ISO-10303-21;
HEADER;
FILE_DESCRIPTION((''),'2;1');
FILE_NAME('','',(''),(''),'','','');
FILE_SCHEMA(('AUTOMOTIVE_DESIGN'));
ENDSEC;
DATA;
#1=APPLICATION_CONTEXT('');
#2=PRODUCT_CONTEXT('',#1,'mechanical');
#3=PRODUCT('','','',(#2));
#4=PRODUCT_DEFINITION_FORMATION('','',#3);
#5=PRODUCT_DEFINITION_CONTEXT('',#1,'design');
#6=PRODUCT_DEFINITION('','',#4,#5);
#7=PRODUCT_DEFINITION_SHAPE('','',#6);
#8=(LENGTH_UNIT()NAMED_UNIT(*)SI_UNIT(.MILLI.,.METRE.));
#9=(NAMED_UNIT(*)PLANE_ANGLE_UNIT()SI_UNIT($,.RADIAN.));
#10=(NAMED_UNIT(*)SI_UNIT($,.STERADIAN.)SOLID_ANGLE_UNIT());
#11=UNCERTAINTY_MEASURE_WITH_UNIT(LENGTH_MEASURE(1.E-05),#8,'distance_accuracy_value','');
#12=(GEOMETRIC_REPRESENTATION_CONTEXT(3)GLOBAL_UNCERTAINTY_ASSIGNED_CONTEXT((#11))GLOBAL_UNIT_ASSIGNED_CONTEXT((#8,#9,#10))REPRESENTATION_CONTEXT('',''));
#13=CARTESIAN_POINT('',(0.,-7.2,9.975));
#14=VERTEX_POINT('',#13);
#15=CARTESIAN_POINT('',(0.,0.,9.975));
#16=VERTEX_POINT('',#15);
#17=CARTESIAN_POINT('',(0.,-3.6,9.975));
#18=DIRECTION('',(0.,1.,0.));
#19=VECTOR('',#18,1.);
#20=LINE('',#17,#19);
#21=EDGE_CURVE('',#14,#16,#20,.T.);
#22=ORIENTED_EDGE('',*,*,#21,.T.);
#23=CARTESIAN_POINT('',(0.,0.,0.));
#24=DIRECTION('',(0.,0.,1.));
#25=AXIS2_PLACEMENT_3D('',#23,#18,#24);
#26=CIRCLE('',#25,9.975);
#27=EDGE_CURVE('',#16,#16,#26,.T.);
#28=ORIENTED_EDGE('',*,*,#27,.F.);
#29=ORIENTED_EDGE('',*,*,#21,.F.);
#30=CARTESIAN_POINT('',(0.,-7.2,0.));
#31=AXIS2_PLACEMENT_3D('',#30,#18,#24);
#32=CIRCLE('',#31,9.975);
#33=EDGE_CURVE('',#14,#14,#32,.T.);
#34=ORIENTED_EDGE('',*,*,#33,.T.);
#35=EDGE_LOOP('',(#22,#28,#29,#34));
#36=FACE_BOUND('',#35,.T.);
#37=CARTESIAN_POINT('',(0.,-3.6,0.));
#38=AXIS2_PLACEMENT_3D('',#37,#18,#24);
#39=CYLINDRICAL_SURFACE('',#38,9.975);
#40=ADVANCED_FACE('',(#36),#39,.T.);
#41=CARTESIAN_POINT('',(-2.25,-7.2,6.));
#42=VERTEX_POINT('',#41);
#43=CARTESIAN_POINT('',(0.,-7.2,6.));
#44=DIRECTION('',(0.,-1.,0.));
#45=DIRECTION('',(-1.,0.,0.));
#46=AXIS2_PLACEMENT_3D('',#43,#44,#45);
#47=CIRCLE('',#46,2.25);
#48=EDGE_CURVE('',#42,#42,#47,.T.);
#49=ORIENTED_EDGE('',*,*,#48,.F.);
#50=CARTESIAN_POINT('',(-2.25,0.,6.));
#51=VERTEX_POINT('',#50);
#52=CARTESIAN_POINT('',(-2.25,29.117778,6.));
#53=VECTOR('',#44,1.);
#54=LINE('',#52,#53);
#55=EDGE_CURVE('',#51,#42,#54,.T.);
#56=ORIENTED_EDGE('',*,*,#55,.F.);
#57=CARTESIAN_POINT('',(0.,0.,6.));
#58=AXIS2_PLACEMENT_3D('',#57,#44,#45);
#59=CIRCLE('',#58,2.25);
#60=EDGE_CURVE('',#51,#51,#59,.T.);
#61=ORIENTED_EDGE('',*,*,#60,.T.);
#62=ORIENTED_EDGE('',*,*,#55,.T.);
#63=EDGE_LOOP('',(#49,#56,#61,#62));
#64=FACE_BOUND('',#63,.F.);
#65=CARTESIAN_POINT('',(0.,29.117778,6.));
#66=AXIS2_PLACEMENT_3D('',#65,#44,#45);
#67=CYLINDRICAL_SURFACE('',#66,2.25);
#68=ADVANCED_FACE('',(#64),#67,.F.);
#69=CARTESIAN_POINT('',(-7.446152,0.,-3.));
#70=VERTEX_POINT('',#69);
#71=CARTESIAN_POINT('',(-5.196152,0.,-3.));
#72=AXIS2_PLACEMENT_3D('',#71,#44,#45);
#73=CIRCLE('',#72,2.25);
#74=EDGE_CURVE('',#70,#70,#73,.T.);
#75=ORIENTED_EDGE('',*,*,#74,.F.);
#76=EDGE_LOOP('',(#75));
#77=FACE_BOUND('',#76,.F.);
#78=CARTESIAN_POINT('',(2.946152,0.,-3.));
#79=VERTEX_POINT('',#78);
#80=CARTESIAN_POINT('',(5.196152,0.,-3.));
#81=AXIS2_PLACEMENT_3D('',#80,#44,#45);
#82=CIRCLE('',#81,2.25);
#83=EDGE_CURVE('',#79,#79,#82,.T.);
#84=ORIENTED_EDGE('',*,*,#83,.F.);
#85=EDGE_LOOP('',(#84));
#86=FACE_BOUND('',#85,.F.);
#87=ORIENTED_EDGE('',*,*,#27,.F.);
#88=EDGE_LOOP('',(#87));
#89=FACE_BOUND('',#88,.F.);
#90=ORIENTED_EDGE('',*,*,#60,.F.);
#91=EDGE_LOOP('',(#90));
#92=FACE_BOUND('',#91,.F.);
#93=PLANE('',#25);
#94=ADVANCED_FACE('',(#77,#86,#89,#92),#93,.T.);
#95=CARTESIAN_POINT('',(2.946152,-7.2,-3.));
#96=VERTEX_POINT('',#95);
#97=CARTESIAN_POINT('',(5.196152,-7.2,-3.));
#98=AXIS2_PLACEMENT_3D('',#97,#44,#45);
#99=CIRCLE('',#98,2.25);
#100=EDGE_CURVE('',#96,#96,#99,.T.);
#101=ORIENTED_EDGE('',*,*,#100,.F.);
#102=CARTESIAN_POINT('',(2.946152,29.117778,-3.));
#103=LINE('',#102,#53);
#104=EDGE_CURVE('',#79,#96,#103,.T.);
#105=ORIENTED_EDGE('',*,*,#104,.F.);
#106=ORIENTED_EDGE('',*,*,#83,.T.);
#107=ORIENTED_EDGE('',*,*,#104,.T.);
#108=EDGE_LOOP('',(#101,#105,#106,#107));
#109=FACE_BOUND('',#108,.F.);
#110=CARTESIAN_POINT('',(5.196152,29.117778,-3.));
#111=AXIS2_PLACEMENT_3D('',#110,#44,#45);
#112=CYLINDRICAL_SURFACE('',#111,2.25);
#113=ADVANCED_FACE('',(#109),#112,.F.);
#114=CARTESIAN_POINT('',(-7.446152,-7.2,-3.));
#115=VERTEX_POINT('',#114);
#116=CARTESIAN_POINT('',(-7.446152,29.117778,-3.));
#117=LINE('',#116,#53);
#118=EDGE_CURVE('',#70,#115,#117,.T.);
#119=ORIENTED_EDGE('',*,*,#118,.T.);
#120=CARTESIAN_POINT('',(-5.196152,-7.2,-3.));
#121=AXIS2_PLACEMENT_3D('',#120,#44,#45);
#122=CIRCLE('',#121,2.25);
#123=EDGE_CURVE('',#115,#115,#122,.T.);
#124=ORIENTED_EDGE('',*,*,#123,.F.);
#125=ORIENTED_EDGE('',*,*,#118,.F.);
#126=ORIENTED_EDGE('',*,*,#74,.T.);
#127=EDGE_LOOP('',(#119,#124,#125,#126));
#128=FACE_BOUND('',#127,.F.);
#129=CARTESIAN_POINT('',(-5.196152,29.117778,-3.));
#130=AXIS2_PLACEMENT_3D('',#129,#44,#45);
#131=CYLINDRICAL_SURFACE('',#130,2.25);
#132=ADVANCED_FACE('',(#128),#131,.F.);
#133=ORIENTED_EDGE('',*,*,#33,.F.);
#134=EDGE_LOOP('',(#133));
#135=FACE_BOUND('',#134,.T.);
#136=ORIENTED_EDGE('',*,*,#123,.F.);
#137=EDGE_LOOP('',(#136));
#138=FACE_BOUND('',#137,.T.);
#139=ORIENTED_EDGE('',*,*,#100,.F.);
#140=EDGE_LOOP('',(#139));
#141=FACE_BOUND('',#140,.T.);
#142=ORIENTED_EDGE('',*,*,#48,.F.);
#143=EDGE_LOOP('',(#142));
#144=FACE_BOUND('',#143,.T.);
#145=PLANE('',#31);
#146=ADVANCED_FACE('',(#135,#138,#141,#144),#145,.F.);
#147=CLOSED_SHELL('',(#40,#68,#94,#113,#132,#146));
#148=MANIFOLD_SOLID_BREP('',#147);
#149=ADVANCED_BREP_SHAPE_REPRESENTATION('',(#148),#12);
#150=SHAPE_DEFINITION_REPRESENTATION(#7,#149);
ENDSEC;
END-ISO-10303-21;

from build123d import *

# Parameters (mm, degrees)
F0_W = 7.2
F0_H = 9.975
F3_D = 4.5


with BuildPart() as f1:
    # F0 (on Right) → F1 (revolve)
    with BuildSketch(Plane.YZ):
        with Locations((-3.6, 4.9875)):
            Rectangle(F0_W, F0_H)
    revolve(axis=Axis((0, -3.6, 0), (0, 1, 0)))

    # F3 (through all)
    with Locations(Plane(origin=(0, 0, 0), x_dir=(1, 0, 0), z_dir=(0, 1, 0))):
        with Locations((0, -6), (-5.1961524227, 3), (5.1961524227, 3)):
            Hole(F3_D / 2)


solid = f1.part
